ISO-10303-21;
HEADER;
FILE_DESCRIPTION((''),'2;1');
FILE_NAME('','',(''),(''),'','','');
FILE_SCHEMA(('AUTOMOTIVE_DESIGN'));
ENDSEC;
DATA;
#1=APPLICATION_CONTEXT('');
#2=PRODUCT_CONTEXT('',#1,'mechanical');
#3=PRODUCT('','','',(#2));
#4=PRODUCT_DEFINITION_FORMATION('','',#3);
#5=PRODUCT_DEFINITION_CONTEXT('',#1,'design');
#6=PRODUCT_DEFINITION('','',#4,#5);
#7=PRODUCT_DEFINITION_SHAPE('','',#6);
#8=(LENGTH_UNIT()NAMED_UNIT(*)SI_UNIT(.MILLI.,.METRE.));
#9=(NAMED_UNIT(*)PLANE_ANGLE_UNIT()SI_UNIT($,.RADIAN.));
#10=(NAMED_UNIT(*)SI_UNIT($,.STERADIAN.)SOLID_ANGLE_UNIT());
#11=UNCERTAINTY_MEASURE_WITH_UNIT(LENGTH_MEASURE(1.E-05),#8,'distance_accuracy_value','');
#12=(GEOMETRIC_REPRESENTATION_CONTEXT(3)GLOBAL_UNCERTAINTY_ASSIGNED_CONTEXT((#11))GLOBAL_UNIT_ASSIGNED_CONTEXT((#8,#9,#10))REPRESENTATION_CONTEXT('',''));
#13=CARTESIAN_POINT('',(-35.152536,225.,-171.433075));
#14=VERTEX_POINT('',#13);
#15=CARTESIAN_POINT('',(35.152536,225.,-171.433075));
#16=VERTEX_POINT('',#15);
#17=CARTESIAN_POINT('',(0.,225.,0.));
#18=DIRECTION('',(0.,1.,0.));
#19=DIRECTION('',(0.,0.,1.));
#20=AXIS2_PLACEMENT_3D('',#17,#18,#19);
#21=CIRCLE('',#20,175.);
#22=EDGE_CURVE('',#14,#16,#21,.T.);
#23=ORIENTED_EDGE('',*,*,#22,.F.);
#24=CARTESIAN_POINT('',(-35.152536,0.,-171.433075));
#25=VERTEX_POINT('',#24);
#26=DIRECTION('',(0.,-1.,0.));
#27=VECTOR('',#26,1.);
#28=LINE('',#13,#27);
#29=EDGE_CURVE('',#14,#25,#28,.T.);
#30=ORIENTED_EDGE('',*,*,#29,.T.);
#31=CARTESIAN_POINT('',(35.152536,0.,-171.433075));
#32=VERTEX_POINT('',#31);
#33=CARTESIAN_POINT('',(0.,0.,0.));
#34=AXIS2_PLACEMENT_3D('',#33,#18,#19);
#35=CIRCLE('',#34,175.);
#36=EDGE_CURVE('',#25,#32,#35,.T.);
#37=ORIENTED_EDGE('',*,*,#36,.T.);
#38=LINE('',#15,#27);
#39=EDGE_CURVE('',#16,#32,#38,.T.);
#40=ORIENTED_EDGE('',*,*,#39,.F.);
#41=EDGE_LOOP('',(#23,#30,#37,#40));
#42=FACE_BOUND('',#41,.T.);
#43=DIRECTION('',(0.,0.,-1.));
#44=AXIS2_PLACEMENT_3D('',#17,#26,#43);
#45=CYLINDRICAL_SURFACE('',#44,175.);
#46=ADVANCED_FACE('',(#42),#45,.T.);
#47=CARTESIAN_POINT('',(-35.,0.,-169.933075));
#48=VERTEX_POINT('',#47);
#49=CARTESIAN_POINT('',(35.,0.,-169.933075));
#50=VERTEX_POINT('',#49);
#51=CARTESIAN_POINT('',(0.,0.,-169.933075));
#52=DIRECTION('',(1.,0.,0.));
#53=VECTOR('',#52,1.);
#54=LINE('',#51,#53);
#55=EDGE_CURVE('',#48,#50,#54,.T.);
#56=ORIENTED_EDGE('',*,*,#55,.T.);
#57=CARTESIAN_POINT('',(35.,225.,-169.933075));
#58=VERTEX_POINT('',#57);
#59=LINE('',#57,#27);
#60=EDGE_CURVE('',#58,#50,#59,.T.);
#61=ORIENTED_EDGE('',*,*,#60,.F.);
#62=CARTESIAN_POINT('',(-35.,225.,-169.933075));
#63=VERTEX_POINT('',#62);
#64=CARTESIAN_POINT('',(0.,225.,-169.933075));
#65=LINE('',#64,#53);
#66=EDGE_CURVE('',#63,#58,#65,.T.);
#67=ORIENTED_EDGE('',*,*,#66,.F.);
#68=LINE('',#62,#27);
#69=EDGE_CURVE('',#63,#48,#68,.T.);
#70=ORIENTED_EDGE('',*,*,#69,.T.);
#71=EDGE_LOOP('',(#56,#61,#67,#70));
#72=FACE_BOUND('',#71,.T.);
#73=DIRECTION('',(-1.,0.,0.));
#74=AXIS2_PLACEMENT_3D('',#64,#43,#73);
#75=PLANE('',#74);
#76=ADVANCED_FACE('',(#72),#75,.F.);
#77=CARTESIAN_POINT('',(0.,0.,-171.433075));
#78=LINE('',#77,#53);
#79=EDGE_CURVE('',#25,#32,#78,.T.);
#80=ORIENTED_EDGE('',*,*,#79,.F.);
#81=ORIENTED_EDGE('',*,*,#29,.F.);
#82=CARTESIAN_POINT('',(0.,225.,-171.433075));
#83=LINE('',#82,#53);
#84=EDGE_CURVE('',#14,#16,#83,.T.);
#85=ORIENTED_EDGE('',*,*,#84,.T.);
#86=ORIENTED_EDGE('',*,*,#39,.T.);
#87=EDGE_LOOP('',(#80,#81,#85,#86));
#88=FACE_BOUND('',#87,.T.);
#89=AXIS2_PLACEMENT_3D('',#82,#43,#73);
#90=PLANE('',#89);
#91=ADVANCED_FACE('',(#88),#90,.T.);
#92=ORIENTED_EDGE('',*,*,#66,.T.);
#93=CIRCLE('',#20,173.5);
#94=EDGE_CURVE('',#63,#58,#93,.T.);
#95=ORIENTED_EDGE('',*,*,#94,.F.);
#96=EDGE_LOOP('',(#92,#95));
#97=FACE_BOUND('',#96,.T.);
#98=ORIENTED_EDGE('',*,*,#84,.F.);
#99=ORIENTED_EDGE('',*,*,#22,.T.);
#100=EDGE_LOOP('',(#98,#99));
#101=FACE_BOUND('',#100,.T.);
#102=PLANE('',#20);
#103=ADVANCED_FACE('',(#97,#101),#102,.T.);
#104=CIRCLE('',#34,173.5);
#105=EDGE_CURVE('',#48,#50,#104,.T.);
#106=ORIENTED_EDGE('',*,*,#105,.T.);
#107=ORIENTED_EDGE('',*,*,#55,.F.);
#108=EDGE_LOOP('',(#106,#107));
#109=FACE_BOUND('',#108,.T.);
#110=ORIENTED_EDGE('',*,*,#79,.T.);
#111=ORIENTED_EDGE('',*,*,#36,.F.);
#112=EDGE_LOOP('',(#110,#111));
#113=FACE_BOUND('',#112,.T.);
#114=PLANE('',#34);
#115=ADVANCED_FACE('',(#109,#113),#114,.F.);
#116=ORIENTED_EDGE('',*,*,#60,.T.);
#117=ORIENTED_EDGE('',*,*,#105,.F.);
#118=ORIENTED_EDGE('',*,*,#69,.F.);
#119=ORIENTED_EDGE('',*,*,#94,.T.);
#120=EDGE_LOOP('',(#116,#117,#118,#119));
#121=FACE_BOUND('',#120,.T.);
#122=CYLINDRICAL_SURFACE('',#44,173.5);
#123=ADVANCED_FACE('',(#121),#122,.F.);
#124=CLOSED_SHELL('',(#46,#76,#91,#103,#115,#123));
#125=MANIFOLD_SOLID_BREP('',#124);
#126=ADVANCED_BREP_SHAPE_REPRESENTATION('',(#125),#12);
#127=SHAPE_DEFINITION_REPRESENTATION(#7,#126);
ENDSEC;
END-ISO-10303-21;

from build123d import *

# Parameters (mm, degrees)
BOSS_EXTRUDE1_DEPTH = 225


with BuildPart() as part:
    # Sketch1 → Boss-Extrude1 (new body)
    with BuildSketch(Plane(origin=(0, 0, 0), x_dir=(1, 0, 0), z_dir=(0, 1, 0))):
        with BuildLine():
            Line((-35.152535823, 171.433075062), (35.152535823, 171.433075062))
            ThreePointArc((35.152535823, 171.433075062), (0, -175), (-35.152535823, 171.433075062))
        make_face()
        with BuildLine():
            ThreePointArc((-35, 169.933075062), (0, -173.5), (35, 169.933075062))
            Line((35, 169.933075062), (-35, 169.933075062))
        make_face(mode=Mode.SUBTRACT)
    extrude(amount=BOSS_EXTRUDE1_DEPTH)


solid = part.part
